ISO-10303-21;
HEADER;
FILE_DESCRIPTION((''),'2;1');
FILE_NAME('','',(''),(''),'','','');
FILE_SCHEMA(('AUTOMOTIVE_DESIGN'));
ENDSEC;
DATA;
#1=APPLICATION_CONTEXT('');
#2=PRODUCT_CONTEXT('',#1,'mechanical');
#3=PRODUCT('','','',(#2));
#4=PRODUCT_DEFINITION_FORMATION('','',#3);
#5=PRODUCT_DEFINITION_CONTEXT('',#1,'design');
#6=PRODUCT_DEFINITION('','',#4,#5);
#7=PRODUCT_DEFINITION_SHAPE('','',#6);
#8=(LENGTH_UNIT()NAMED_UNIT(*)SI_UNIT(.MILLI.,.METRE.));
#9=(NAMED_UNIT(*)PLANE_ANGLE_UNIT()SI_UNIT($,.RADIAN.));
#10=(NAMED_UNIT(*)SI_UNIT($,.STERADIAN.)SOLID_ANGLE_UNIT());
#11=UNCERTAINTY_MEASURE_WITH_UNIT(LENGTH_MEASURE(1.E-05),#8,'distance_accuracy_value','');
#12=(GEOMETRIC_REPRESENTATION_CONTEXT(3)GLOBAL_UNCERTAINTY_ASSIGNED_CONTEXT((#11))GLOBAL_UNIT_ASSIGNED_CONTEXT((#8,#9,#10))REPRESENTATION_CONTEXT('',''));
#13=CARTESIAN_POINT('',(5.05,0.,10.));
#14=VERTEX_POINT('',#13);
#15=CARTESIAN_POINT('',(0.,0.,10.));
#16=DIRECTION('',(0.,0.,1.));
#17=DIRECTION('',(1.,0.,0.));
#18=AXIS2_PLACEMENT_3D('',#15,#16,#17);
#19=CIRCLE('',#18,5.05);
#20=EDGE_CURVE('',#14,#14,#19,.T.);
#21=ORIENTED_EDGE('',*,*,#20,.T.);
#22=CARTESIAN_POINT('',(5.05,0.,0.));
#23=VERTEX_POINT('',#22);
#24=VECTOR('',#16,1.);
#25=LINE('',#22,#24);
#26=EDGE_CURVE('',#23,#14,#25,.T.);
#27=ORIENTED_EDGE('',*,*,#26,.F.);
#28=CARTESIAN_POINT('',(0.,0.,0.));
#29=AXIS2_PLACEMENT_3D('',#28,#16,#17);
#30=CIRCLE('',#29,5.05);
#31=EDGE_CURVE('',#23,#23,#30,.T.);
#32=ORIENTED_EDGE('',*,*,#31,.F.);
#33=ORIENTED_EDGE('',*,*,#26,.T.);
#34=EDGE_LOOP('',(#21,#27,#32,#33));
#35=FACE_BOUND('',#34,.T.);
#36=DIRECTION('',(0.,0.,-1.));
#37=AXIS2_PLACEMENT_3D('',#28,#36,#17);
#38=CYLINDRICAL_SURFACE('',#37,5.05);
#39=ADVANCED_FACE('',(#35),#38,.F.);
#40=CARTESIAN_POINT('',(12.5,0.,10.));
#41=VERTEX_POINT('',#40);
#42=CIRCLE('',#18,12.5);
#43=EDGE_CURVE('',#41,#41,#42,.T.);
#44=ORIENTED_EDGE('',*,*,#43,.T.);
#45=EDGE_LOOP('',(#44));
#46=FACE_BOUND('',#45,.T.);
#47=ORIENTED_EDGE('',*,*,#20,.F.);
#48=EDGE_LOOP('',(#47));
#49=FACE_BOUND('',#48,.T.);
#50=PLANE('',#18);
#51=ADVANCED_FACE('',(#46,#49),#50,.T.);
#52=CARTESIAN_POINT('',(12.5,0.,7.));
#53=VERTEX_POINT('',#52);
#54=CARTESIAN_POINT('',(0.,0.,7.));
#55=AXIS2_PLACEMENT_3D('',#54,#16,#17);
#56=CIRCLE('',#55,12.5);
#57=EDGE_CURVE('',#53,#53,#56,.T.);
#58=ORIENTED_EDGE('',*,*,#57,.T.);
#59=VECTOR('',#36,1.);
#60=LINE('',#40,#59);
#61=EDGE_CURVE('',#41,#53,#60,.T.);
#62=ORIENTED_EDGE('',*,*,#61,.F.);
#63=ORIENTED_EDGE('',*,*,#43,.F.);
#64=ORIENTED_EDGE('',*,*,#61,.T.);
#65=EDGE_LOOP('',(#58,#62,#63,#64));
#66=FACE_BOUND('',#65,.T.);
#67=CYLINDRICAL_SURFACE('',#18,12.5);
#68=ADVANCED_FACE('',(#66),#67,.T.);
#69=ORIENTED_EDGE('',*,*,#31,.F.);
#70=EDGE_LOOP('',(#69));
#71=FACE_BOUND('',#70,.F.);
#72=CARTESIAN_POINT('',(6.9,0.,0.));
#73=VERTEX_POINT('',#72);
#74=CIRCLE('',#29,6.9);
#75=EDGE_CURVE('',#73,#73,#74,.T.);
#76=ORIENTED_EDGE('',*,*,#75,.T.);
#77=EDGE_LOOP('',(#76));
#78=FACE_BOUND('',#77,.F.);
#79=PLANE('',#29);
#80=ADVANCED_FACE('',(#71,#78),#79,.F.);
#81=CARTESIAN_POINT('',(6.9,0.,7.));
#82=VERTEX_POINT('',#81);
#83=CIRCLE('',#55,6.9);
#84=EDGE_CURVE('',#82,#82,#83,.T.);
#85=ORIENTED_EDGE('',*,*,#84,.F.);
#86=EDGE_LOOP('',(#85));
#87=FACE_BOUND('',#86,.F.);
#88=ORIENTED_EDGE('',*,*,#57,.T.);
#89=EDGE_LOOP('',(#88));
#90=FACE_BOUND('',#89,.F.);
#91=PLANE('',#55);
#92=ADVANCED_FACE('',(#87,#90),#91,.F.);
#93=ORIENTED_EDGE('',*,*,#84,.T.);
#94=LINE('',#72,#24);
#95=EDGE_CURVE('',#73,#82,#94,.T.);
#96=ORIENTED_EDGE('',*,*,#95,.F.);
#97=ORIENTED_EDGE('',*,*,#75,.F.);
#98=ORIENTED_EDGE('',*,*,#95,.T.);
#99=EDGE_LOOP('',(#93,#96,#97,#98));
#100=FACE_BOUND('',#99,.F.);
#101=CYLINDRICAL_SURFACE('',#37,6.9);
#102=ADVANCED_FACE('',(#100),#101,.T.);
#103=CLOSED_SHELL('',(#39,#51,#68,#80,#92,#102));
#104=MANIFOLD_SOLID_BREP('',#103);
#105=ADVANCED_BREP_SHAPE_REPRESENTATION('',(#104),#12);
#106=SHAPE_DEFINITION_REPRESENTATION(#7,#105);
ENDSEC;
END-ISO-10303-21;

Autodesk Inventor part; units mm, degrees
ref_plane "YZ Plane" through (0, 0, 0) normal (1, 0, 0) x (0, 1, 0)
ref_plane "XZ Plane" through (0, 0, 0) normal (0, 1, 0) x (-1, 0, 0)
ref_plane "XY Plane" through (0, 0, 0) normal (0, 0, 1) x (1, 0, 0)
sketch "Sketch1" plane through (0, 0, 0) normal (0, 0, 1) x (1, 0, 0)
  circle A0 centre (0, 0) radius 5.05
  circle A1 centre (0, 0) radius 6.9
  dimension "d0" = 10.1
  dimension "d1" = 13.8
extrude "Extrusion1" add sketch "Sketch1" along normal blind 10
sketch "Sketch2" plane through (0, 0, 10) normal (0, 0, 1) x (1, 0, 0)
  circle A0 centre (0, 0) radius 12.5
  circle A1 centre (0, 0) radius 6.9 projected
  dimension "d4" = 25
extrude "Extrusion2" add sketch "Sketch2" against normal blind 3
sketch "Sketch3" plane through (0, 0, 0) normal (0, 0, -1) x (-1, 0, 0)
  point P0 (0, 0)
sketch "Sketch4" plane through (0, 0, 0) normal (0, 0, -1) x (-1, 0, 0)
  point P0 (0, 0)
properties part number "CAD_inner_3DPrint"
